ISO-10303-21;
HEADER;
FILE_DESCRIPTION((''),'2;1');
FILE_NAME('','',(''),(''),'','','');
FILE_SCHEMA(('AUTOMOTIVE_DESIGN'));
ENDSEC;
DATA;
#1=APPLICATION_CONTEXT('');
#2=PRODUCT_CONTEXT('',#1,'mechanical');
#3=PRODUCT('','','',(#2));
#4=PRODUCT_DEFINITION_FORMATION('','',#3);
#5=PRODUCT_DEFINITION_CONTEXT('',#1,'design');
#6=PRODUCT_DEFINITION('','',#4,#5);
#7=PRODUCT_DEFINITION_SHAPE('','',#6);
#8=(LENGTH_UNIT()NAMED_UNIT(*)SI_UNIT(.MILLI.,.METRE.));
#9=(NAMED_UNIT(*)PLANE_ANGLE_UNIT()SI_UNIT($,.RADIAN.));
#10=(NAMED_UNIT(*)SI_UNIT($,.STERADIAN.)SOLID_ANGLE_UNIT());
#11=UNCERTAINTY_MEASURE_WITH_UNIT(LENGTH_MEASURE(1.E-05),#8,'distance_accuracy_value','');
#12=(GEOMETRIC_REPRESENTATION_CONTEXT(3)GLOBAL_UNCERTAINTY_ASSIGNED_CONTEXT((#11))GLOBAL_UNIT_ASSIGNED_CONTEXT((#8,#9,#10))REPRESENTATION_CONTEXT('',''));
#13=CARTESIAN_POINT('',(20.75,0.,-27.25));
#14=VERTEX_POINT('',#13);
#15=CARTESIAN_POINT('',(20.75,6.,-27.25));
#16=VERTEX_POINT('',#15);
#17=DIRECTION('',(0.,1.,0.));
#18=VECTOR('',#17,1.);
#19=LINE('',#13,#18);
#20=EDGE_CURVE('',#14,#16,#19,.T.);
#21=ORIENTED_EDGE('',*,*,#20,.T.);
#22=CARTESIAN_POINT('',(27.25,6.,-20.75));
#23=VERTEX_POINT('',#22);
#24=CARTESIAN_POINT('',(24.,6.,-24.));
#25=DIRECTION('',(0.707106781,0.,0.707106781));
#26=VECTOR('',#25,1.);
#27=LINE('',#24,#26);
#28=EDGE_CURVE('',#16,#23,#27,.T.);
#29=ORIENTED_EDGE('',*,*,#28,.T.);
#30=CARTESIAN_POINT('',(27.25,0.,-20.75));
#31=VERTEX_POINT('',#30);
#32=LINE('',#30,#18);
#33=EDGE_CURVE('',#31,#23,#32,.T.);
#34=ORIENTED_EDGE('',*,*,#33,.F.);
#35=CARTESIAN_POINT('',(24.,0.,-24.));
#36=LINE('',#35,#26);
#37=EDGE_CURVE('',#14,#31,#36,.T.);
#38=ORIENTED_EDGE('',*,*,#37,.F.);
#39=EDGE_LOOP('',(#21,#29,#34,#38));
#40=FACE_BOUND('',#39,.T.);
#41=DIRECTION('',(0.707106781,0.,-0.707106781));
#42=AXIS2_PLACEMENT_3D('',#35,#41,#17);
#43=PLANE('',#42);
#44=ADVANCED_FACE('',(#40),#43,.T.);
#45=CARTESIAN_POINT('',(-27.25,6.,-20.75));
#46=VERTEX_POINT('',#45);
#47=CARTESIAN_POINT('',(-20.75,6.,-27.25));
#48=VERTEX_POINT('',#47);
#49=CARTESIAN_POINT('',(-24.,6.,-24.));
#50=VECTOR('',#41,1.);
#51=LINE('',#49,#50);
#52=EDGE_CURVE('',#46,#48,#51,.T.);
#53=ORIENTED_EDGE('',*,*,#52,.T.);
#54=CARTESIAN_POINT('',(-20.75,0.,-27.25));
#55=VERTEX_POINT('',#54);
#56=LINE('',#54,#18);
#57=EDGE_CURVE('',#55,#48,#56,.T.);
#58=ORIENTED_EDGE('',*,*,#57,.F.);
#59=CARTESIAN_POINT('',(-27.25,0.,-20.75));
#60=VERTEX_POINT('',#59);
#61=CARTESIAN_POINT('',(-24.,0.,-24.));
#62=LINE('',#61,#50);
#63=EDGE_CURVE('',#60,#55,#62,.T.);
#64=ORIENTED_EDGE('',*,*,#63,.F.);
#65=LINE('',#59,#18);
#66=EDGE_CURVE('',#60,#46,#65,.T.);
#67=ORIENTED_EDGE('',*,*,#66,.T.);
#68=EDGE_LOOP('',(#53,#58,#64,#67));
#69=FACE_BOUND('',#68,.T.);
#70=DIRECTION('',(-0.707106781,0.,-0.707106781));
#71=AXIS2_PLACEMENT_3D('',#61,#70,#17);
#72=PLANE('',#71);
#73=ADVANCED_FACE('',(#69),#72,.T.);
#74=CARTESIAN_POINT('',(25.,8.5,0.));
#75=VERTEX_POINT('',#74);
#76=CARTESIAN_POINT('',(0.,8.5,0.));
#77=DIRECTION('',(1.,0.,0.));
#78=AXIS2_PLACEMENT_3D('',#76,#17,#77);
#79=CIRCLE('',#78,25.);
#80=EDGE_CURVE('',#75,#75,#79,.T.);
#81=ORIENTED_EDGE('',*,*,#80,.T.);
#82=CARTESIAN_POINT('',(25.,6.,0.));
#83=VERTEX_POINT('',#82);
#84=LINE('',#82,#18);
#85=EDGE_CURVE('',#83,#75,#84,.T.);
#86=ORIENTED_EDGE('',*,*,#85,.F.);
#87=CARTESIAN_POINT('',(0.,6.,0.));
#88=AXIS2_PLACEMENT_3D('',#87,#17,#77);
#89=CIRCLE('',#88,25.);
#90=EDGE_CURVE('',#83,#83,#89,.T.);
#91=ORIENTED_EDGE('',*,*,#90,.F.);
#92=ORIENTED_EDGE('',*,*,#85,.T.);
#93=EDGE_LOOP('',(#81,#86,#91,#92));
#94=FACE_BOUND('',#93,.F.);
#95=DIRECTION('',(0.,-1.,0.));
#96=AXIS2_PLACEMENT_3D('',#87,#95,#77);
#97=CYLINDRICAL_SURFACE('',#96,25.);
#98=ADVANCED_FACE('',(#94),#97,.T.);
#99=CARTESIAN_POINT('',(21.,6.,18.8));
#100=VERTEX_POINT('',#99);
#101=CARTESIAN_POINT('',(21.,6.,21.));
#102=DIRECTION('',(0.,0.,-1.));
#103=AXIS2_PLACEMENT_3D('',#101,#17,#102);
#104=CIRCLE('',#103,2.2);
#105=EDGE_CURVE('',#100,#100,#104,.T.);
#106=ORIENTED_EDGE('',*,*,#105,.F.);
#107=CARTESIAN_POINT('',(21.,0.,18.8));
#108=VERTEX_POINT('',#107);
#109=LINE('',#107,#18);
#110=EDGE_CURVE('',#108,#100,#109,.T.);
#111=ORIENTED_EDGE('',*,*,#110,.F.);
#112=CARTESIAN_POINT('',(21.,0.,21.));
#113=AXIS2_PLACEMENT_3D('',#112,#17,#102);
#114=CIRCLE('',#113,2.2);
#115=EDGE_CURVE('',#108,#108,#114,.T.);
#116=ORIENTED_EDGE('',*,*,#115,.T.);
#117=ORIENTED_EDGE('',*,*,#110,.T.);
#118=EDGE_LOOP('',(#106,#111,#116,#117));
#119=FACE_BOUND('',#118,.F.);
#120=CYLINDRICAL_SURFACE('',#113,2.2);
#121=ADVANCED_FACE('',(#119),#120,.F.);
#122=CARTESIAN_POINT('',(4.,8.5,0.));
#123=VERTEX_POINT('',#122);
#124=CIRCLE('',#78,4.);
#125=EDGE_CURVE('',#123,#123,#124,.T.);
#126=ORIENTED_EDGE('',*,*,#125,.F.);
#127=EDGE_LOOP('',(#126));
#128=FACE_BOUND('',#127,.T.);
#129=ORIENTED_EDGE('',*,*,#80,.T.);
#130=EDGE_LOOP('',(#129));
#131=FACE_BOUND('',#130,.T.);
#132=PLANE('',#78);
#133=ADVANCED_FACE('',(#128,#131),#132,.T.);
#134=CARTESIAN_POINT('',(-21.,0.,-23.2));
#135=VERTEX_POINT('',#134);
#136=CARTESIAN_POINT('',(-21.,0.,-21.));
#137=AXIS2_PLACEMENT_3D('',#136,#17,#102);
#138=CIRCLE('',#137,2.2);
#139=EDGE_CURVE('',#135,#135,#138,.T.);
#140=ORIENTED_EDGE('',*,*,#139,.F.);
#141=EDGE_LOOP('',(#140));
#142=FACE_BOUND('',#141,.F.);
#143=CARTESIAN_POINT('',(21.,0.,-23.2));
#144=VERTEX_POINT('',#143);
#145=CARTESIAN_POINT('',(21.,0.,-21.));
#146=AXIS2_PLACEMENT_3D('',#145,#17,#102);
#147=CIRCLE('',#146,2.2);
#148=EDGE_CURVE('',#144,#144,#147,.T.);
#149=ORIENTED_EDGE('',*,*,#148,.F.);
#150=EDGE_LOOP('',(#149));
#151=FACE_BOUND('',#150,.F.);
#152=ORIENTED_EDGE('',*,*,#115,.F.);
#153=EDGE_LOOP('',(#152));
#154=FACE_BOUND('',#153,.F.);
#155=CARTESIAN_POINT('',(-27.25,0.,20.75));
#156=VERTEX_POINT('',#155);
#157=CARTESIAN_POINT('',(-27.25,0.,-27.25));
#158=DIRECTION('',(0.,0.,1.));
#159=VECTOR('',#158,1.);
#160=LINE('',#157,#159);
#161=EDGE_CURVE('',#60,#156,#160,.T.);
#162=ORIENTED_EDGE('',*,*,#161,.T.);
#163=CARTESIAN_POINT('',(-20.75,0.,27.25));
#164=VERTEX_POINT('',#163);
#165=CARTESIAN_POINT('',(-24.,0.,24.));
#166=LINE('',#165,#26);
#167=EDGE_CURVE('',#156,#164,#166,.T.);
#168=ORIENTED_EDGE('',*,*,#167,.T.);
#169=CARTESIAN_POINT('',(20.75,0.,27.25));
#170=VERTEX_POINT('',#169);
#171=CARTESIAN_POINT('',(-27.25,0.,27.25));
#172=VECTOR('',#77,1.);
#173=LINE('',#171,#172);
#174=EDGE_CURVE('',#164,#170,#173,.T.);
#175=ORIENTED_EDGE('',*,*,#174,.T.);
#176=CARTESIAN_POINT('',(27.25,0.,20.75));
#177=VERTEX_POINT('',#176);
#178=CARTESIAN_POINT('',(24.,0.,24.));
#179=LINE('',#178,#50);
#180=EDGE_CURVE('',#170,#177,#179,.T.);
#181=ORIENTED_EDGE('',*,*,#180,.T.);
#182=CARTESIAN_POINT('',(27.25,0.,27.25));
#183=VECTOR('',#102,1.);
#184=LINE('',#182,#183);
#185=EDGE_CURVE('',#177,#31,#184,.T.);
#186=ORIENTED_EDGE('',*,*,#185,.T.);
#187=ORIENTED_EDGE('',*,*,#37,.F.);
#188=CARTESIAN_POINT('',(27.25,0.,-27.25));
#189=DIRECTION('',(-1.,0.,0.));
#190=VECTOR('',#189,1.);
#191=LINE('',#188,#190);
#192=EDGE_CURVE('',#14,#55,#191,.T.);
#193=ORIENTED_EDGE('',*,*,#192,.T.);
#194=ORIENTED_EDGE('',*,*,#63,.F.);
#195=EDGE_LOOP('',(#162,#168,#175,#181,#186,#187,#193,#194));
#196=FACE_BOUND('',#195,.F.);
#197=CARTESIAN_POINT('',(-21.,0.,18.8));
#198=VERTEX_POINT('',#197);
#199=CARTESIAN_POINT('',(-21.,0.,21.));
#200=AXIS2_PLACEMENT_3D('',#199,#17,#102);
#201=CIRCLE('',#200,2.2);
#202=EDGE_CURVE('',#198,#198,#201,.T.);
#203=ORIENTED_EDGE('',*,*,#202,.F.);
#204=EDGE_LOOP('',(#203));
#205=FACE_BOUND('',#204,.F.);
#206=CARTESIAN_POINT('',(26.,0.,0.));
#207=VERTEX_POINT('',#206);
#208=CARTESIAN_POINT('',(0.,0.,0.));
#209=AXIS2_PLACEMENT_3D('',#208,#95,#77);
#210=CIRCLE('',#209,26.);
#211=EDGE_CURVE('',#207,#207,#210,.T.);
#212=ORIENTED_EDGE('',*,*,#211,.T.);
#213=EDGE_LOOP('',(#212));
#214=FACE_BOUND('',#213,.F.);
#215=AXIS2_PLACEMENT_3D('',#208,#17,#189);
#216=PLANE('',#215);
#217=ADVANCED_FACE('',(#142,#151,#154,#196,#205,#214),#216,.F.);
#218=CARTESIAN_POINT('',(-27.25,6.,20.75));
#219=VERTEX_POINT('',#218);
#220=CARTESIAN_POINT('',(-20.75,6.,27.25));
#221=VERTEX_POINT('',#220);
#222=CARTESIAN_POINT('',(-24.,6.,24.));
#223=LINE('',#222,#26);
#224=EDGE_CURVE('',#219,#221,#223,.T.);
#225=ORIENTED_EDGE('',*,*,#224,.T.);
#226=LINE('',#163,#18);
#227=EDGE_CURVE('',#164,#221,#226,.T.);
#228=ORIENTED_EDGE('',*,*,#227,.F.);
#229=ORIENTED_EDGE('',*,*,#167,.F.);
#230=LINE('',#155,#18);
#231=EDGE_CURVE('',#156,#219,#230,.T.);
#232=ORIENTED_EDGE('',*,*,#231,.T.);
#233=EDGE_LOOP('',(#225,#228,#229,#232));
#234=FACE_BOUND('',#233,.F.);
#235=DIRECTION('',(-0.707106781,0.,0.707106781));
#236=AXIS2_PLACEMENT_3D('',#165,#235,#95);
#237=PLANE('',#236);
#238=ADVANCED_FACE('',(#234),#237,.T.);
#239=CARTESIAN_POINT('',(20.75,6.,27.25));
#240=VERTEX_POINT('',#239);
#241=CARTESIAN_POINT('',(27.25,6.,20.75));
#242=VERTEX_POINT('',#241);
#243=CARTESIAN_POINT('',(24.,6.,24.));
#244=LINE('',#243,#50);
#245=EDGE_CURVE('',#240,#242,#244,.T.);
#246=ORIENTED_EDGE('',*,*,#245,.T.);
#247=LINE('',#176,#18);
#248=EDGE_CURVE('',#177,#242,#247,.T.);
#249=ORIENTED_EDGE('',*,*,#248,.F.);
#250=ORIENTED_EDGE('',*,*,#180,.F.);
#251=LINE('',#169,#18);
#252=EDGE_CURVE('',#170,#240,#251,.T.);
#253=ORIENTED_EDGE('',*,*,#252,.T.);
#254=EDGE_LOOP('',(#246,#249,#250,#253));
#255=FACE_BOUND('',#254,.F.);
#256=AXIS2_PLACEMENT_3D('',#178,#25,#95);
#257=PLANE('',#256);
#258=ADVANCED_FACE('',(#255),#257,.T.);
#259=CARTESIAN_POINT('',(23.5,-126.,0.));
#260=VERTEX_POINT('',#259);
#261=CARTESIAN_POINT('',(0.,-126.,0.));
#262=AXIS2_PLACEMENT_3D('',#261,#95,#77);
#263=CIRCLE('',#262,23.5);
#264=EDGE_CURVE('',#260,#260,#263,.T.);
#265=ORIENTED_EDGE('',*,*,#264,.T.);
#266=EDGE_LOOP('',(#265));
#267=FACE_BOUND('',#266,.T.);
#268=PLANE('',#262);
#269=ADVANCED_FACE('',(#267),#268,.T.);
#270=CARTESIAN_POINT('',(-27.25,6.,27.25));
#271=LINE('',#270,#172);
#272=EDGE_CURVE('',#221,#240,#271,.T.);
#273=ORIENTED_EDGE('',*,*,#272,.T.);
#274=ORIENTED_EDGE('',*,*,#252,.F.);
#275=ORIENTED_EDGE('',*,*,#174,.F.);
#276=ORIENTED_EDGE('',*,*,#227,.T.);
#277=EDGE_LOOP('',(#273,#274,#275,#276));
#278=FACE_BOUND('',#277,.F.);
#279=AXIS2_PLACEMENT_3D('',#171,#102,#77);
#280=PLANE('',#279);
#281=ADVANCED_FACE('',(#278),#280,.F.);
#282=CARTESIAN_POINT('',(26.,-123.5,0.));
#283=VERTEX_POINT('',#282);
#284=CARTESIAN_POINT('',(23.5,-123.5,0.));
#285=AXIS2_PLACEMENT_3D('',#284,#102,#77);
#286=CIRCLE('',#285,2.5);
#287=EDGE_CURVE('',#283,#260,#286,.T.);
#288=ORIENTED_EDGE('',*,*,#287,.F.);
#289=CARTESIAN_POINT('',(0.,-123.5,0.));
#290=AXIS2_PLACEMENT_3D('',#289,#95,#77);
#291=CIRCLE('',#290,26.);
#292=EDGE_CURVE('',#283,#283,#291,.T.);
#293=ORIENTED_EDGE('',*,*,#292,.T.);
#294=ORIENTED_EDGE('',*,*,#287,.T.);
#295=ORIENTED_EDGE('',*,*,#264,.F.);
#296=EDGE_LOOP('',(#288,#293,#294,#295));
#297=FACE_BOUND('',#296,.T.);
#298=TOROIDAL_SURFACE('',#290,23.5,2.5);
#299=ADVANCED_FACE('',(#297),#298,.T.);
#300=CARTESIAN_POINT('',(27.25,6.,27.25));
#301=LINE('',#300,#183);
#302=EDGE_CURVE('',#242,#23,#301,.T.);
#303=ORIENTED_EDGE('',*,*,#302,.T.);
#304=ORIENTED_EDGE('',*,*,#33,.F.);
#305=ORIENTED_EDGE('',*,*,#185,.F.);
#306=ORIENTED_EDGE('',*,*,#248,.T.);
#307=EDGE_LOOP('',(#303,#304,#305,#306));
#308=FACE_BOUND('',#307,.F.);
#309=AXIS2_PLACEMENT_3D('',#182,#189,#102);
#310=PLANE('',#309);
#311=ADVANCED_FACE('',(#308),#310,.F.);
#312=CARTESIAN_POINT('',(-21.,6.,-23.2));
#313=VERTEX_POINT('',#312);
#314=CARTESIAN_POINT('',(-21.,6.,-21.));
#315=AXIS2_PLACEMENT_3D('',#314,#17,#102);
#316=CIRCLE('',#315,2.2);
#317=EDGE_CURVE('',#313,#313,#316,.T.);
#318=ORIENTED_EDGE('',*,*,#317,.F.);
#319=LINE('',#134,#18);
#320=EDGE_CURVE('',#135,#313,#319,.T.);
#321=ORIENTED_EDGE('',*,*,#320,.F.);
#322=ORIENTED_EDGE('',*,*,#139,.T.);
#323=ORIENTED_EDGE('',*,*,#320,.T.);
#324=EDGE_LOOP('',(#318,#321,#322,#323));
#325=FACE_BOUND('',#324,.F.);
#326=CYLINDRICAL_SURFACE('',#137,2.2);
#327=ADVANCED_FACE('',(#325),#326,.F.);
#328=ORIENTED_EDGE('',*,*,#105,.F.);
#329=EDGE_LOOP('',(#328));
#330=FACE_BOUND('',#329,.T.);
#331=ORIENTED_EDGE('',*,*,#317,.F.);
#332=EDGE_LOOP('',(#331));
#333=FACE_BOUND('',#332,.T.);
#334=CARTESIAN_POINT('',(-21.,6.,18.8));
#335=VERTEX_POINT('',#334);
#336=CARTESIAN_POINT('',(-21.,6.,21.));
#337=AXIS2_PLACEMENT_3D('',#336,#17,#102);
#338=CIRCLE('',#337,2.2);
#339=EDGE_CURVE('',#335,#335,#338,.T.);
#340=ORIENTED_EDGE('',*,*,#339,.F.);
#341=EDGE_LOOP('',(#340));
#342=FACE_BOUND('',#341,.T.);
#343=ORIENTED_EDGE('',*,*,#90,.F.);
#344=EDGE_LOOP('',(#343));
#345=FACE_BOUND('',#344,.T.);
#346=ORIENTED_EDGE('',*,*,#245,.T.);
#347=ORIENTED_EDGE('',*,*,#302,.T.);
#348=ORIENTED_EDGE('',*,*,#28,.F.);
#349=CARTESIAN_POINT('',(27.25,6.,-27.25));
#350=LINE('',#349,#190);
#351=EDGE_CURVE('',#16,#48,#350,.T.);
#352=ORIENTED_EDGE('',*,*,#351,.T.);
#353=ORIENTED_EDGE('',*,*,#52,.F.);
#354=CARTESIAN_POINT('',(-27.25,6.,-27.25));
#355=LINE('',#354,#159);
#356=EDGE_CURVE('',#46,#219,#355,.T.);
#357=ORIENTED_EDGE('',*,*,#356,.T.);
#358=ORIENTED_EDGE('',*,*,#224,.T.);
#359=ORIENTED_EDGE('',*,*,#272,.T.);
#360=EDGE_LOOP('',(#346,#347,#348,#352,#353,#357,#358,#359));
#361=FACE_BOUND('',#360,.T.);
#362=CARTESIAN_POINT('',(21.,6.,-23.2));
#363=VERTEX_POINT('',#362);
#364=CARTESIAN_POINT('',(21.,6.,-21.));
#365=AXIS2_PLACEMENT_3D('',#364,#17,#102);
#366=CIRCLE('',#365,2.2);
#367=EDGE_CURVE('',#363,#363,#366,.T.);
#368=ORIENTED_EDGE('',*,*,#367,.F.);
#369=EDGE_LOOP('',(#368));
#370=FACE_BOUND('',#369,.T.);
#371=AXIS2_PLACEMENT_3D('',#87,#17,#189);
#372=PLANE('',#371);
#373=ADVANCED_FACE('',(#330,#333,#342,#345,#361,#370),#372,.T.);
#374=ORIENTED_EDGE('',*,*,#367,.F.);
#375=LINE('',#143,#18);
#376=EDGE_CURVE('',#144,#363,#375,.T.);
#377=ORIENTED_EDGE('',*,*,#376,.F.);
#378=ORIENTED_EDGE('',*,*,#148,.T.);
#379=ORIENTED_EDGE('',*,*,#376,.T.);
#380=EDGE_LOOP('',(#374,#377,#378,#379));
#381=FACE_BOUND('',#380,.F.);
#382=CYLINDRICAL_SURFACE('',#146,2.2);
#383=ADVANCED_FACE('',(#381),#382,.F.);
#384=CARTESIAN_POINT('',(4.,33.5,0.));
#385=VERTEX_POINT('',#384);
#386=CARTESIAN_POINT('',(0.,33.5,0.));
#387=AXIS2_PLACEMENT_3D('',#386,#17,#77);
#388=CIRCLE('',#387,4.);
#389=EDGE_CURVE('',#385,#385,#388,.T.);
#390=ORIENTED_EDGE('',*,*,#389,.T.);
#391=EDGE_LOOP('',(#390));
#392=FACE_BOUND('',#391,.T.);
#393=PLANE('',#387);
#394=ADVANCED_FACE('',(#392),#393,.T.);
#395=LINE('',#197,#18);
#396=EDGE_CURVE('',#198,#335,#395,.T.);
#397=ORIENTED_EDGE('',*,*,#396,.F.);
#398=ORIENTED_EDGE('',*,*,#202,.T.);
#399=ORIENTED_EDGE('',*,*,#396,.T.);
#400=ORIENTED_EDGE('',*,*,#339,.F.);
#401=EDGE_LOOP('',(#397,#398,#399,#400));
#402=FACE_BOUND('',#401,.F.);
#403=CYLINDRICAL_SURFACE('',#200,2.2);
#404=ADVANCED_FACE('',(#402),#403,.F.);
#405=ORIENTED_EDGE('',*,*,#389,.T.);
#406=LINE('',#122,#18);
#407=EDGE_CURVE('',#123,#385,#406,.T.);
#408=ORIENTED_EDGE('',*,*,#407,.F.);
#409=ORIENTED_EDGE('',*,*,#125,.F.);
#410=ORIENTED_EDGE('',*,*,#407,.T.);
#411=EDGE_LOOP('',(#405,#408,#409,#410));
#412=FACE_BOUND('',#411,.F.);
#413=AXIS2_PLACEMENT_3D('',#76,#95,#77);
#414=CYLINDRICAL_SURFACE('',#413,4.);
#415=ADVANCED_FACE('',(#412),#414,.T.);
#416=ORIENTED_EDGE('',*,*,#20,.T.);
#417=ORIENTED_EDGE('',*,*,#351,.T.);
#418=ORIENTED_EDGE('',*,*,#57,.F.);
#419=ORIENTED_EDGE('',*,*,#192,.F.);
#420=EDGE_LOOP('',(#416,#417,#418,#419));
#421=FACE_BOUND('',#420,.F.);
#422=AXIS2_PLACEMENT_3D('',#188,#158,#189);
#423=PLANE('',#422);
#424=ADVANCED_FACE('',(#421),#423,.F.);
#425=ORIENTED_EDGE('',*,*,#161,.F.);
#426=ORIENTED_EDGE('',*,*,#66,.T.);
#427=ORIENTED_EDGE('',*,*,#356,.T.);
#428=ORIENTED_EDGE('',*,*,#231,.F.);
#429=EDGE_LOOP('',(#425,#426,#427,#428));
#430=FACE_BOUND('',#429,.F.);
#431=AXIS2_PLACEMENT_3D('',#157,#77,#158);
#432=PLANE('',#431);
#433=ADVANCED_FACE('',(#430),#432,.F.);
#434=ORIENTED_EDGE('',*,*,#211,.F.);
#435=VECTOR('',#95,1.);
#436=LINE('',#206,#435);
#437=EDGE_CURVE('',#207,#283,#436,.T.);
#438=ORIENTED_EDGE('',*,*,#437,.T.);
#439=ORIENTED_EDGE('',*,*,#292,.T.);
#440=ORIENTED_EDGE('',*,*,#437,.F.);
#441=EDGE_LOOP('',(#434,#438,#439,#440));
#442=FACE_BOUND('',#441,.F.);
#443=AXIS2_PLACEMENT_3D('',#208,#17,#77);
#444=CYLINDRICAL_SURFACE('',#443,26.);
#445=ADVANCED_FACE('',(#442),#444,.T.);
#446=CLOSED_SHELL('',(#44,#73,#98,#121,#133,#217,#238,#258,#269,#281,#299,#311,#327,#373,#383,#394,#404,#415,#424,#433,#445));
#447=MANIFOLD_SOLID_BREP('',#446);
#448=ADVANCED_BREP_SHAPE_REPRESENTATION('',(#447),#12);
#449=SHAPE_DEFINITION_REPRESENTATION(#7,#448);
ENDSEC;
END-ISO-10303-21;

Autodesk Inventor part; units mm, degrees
ref_plane "YZ Plane" through (0, 0, 0) normal (1, 0, 0) x (0, 1, 0)
ref_plane "XZ Plane" through (0, 0, 0) normal (0, 1, 0) x (-1, 0, 0)
ref_plane "XY Plane" through (0, 0, 0) normal (0, 0, 1) x (1, 0, 0)
sketch "Sketch1" plane through (0, 0, 0) normal (0, 1, 0) x (-1, 0, 0)
  line L0 (27.25, 27.25) -> (-27.25, 27.25)
  line L1 (-27.25, 27.25) -> (-27.25, -27.25)
  line L2 (-27.25, -27.25) -> (27.25, -27.25)
  line L3 (27.25, -27.25) -> (27.25, 27.25)
  line L4 (27.25, 27.25) -> (-27.25, -27.25) construction
  line L5 (-27.25, 27.25) -> (27.25, -27.25) construction
  line L6 (21, 21) -> (-21, 21)
  line L7 (-21, 21) -> (-21, -21)
  line L8 (-21, -21) -> (21, -21)
  line L9 (21, -21) -> (21, 21)
  line L10 (21, 21) -> (-21, -21) construction
  line L11 (-21, 21) -> (21, -21) construction
  point P0 (0, 0)
  dimension "d0" = 54.5
  dimension "d1" = 54.5
  dimension "d2" = 42
  dimension "d3" = 42
extrude "Extrusion1" add sketch "Sketch1" along normal blind 6 contours L3 L2 L1 L0 | L9 L8 L7 L6
sketch "Sketch2" plane through (0, 6, 0) normal (0, 1, 0) x (1, 0, 0)
  circle A0 centre (0, 0) radius 25
  dimension "d7" = 50
extrude "Extrusion2" add sketch "Sketch2" along normal blind 2.5
sketch "Sketch3" plane through (0, 0, 0) normal (0, -1, 0) x (1, 0, 0)
  circle A0 centre (0, 0) radius 26
  dimension "d10" = 52
extrude "Extrusion3" add sketch "Sketch3" along normal blind 126
fillet "Fillet1" radius 2.5 1 edges at (-26, -126, 0)
hole "Hole1" at (21, 0, -21) at (21, 0, 21) at (-21, 0, -21) at (-21, 0, 21) direction (0, 1, 0) diameter 4.4 end through all
sketch "Sketch4" plane through (0, 8.5, 0) normal (0, 1, 0) x (1, 0, 0)
  circle A0 centre (0, 0) radius 4
  dimension "d22" = 8
extrude "Extrusion4" add sketch "Sketch4" along normal blind 25
chamfer "Chamfer1" distance 6.5 angle 45 4 edges at (27.25, 3, 27.25) (27.25, 3, -27.25) (-27.25, 3, -27.25) (-27.25, 3, 27.25)
equation "\"d1\" = d0"
equation "\"d3\" = d2"
properties part number "Nanotec-DH052-120E-4N02-Servo"
